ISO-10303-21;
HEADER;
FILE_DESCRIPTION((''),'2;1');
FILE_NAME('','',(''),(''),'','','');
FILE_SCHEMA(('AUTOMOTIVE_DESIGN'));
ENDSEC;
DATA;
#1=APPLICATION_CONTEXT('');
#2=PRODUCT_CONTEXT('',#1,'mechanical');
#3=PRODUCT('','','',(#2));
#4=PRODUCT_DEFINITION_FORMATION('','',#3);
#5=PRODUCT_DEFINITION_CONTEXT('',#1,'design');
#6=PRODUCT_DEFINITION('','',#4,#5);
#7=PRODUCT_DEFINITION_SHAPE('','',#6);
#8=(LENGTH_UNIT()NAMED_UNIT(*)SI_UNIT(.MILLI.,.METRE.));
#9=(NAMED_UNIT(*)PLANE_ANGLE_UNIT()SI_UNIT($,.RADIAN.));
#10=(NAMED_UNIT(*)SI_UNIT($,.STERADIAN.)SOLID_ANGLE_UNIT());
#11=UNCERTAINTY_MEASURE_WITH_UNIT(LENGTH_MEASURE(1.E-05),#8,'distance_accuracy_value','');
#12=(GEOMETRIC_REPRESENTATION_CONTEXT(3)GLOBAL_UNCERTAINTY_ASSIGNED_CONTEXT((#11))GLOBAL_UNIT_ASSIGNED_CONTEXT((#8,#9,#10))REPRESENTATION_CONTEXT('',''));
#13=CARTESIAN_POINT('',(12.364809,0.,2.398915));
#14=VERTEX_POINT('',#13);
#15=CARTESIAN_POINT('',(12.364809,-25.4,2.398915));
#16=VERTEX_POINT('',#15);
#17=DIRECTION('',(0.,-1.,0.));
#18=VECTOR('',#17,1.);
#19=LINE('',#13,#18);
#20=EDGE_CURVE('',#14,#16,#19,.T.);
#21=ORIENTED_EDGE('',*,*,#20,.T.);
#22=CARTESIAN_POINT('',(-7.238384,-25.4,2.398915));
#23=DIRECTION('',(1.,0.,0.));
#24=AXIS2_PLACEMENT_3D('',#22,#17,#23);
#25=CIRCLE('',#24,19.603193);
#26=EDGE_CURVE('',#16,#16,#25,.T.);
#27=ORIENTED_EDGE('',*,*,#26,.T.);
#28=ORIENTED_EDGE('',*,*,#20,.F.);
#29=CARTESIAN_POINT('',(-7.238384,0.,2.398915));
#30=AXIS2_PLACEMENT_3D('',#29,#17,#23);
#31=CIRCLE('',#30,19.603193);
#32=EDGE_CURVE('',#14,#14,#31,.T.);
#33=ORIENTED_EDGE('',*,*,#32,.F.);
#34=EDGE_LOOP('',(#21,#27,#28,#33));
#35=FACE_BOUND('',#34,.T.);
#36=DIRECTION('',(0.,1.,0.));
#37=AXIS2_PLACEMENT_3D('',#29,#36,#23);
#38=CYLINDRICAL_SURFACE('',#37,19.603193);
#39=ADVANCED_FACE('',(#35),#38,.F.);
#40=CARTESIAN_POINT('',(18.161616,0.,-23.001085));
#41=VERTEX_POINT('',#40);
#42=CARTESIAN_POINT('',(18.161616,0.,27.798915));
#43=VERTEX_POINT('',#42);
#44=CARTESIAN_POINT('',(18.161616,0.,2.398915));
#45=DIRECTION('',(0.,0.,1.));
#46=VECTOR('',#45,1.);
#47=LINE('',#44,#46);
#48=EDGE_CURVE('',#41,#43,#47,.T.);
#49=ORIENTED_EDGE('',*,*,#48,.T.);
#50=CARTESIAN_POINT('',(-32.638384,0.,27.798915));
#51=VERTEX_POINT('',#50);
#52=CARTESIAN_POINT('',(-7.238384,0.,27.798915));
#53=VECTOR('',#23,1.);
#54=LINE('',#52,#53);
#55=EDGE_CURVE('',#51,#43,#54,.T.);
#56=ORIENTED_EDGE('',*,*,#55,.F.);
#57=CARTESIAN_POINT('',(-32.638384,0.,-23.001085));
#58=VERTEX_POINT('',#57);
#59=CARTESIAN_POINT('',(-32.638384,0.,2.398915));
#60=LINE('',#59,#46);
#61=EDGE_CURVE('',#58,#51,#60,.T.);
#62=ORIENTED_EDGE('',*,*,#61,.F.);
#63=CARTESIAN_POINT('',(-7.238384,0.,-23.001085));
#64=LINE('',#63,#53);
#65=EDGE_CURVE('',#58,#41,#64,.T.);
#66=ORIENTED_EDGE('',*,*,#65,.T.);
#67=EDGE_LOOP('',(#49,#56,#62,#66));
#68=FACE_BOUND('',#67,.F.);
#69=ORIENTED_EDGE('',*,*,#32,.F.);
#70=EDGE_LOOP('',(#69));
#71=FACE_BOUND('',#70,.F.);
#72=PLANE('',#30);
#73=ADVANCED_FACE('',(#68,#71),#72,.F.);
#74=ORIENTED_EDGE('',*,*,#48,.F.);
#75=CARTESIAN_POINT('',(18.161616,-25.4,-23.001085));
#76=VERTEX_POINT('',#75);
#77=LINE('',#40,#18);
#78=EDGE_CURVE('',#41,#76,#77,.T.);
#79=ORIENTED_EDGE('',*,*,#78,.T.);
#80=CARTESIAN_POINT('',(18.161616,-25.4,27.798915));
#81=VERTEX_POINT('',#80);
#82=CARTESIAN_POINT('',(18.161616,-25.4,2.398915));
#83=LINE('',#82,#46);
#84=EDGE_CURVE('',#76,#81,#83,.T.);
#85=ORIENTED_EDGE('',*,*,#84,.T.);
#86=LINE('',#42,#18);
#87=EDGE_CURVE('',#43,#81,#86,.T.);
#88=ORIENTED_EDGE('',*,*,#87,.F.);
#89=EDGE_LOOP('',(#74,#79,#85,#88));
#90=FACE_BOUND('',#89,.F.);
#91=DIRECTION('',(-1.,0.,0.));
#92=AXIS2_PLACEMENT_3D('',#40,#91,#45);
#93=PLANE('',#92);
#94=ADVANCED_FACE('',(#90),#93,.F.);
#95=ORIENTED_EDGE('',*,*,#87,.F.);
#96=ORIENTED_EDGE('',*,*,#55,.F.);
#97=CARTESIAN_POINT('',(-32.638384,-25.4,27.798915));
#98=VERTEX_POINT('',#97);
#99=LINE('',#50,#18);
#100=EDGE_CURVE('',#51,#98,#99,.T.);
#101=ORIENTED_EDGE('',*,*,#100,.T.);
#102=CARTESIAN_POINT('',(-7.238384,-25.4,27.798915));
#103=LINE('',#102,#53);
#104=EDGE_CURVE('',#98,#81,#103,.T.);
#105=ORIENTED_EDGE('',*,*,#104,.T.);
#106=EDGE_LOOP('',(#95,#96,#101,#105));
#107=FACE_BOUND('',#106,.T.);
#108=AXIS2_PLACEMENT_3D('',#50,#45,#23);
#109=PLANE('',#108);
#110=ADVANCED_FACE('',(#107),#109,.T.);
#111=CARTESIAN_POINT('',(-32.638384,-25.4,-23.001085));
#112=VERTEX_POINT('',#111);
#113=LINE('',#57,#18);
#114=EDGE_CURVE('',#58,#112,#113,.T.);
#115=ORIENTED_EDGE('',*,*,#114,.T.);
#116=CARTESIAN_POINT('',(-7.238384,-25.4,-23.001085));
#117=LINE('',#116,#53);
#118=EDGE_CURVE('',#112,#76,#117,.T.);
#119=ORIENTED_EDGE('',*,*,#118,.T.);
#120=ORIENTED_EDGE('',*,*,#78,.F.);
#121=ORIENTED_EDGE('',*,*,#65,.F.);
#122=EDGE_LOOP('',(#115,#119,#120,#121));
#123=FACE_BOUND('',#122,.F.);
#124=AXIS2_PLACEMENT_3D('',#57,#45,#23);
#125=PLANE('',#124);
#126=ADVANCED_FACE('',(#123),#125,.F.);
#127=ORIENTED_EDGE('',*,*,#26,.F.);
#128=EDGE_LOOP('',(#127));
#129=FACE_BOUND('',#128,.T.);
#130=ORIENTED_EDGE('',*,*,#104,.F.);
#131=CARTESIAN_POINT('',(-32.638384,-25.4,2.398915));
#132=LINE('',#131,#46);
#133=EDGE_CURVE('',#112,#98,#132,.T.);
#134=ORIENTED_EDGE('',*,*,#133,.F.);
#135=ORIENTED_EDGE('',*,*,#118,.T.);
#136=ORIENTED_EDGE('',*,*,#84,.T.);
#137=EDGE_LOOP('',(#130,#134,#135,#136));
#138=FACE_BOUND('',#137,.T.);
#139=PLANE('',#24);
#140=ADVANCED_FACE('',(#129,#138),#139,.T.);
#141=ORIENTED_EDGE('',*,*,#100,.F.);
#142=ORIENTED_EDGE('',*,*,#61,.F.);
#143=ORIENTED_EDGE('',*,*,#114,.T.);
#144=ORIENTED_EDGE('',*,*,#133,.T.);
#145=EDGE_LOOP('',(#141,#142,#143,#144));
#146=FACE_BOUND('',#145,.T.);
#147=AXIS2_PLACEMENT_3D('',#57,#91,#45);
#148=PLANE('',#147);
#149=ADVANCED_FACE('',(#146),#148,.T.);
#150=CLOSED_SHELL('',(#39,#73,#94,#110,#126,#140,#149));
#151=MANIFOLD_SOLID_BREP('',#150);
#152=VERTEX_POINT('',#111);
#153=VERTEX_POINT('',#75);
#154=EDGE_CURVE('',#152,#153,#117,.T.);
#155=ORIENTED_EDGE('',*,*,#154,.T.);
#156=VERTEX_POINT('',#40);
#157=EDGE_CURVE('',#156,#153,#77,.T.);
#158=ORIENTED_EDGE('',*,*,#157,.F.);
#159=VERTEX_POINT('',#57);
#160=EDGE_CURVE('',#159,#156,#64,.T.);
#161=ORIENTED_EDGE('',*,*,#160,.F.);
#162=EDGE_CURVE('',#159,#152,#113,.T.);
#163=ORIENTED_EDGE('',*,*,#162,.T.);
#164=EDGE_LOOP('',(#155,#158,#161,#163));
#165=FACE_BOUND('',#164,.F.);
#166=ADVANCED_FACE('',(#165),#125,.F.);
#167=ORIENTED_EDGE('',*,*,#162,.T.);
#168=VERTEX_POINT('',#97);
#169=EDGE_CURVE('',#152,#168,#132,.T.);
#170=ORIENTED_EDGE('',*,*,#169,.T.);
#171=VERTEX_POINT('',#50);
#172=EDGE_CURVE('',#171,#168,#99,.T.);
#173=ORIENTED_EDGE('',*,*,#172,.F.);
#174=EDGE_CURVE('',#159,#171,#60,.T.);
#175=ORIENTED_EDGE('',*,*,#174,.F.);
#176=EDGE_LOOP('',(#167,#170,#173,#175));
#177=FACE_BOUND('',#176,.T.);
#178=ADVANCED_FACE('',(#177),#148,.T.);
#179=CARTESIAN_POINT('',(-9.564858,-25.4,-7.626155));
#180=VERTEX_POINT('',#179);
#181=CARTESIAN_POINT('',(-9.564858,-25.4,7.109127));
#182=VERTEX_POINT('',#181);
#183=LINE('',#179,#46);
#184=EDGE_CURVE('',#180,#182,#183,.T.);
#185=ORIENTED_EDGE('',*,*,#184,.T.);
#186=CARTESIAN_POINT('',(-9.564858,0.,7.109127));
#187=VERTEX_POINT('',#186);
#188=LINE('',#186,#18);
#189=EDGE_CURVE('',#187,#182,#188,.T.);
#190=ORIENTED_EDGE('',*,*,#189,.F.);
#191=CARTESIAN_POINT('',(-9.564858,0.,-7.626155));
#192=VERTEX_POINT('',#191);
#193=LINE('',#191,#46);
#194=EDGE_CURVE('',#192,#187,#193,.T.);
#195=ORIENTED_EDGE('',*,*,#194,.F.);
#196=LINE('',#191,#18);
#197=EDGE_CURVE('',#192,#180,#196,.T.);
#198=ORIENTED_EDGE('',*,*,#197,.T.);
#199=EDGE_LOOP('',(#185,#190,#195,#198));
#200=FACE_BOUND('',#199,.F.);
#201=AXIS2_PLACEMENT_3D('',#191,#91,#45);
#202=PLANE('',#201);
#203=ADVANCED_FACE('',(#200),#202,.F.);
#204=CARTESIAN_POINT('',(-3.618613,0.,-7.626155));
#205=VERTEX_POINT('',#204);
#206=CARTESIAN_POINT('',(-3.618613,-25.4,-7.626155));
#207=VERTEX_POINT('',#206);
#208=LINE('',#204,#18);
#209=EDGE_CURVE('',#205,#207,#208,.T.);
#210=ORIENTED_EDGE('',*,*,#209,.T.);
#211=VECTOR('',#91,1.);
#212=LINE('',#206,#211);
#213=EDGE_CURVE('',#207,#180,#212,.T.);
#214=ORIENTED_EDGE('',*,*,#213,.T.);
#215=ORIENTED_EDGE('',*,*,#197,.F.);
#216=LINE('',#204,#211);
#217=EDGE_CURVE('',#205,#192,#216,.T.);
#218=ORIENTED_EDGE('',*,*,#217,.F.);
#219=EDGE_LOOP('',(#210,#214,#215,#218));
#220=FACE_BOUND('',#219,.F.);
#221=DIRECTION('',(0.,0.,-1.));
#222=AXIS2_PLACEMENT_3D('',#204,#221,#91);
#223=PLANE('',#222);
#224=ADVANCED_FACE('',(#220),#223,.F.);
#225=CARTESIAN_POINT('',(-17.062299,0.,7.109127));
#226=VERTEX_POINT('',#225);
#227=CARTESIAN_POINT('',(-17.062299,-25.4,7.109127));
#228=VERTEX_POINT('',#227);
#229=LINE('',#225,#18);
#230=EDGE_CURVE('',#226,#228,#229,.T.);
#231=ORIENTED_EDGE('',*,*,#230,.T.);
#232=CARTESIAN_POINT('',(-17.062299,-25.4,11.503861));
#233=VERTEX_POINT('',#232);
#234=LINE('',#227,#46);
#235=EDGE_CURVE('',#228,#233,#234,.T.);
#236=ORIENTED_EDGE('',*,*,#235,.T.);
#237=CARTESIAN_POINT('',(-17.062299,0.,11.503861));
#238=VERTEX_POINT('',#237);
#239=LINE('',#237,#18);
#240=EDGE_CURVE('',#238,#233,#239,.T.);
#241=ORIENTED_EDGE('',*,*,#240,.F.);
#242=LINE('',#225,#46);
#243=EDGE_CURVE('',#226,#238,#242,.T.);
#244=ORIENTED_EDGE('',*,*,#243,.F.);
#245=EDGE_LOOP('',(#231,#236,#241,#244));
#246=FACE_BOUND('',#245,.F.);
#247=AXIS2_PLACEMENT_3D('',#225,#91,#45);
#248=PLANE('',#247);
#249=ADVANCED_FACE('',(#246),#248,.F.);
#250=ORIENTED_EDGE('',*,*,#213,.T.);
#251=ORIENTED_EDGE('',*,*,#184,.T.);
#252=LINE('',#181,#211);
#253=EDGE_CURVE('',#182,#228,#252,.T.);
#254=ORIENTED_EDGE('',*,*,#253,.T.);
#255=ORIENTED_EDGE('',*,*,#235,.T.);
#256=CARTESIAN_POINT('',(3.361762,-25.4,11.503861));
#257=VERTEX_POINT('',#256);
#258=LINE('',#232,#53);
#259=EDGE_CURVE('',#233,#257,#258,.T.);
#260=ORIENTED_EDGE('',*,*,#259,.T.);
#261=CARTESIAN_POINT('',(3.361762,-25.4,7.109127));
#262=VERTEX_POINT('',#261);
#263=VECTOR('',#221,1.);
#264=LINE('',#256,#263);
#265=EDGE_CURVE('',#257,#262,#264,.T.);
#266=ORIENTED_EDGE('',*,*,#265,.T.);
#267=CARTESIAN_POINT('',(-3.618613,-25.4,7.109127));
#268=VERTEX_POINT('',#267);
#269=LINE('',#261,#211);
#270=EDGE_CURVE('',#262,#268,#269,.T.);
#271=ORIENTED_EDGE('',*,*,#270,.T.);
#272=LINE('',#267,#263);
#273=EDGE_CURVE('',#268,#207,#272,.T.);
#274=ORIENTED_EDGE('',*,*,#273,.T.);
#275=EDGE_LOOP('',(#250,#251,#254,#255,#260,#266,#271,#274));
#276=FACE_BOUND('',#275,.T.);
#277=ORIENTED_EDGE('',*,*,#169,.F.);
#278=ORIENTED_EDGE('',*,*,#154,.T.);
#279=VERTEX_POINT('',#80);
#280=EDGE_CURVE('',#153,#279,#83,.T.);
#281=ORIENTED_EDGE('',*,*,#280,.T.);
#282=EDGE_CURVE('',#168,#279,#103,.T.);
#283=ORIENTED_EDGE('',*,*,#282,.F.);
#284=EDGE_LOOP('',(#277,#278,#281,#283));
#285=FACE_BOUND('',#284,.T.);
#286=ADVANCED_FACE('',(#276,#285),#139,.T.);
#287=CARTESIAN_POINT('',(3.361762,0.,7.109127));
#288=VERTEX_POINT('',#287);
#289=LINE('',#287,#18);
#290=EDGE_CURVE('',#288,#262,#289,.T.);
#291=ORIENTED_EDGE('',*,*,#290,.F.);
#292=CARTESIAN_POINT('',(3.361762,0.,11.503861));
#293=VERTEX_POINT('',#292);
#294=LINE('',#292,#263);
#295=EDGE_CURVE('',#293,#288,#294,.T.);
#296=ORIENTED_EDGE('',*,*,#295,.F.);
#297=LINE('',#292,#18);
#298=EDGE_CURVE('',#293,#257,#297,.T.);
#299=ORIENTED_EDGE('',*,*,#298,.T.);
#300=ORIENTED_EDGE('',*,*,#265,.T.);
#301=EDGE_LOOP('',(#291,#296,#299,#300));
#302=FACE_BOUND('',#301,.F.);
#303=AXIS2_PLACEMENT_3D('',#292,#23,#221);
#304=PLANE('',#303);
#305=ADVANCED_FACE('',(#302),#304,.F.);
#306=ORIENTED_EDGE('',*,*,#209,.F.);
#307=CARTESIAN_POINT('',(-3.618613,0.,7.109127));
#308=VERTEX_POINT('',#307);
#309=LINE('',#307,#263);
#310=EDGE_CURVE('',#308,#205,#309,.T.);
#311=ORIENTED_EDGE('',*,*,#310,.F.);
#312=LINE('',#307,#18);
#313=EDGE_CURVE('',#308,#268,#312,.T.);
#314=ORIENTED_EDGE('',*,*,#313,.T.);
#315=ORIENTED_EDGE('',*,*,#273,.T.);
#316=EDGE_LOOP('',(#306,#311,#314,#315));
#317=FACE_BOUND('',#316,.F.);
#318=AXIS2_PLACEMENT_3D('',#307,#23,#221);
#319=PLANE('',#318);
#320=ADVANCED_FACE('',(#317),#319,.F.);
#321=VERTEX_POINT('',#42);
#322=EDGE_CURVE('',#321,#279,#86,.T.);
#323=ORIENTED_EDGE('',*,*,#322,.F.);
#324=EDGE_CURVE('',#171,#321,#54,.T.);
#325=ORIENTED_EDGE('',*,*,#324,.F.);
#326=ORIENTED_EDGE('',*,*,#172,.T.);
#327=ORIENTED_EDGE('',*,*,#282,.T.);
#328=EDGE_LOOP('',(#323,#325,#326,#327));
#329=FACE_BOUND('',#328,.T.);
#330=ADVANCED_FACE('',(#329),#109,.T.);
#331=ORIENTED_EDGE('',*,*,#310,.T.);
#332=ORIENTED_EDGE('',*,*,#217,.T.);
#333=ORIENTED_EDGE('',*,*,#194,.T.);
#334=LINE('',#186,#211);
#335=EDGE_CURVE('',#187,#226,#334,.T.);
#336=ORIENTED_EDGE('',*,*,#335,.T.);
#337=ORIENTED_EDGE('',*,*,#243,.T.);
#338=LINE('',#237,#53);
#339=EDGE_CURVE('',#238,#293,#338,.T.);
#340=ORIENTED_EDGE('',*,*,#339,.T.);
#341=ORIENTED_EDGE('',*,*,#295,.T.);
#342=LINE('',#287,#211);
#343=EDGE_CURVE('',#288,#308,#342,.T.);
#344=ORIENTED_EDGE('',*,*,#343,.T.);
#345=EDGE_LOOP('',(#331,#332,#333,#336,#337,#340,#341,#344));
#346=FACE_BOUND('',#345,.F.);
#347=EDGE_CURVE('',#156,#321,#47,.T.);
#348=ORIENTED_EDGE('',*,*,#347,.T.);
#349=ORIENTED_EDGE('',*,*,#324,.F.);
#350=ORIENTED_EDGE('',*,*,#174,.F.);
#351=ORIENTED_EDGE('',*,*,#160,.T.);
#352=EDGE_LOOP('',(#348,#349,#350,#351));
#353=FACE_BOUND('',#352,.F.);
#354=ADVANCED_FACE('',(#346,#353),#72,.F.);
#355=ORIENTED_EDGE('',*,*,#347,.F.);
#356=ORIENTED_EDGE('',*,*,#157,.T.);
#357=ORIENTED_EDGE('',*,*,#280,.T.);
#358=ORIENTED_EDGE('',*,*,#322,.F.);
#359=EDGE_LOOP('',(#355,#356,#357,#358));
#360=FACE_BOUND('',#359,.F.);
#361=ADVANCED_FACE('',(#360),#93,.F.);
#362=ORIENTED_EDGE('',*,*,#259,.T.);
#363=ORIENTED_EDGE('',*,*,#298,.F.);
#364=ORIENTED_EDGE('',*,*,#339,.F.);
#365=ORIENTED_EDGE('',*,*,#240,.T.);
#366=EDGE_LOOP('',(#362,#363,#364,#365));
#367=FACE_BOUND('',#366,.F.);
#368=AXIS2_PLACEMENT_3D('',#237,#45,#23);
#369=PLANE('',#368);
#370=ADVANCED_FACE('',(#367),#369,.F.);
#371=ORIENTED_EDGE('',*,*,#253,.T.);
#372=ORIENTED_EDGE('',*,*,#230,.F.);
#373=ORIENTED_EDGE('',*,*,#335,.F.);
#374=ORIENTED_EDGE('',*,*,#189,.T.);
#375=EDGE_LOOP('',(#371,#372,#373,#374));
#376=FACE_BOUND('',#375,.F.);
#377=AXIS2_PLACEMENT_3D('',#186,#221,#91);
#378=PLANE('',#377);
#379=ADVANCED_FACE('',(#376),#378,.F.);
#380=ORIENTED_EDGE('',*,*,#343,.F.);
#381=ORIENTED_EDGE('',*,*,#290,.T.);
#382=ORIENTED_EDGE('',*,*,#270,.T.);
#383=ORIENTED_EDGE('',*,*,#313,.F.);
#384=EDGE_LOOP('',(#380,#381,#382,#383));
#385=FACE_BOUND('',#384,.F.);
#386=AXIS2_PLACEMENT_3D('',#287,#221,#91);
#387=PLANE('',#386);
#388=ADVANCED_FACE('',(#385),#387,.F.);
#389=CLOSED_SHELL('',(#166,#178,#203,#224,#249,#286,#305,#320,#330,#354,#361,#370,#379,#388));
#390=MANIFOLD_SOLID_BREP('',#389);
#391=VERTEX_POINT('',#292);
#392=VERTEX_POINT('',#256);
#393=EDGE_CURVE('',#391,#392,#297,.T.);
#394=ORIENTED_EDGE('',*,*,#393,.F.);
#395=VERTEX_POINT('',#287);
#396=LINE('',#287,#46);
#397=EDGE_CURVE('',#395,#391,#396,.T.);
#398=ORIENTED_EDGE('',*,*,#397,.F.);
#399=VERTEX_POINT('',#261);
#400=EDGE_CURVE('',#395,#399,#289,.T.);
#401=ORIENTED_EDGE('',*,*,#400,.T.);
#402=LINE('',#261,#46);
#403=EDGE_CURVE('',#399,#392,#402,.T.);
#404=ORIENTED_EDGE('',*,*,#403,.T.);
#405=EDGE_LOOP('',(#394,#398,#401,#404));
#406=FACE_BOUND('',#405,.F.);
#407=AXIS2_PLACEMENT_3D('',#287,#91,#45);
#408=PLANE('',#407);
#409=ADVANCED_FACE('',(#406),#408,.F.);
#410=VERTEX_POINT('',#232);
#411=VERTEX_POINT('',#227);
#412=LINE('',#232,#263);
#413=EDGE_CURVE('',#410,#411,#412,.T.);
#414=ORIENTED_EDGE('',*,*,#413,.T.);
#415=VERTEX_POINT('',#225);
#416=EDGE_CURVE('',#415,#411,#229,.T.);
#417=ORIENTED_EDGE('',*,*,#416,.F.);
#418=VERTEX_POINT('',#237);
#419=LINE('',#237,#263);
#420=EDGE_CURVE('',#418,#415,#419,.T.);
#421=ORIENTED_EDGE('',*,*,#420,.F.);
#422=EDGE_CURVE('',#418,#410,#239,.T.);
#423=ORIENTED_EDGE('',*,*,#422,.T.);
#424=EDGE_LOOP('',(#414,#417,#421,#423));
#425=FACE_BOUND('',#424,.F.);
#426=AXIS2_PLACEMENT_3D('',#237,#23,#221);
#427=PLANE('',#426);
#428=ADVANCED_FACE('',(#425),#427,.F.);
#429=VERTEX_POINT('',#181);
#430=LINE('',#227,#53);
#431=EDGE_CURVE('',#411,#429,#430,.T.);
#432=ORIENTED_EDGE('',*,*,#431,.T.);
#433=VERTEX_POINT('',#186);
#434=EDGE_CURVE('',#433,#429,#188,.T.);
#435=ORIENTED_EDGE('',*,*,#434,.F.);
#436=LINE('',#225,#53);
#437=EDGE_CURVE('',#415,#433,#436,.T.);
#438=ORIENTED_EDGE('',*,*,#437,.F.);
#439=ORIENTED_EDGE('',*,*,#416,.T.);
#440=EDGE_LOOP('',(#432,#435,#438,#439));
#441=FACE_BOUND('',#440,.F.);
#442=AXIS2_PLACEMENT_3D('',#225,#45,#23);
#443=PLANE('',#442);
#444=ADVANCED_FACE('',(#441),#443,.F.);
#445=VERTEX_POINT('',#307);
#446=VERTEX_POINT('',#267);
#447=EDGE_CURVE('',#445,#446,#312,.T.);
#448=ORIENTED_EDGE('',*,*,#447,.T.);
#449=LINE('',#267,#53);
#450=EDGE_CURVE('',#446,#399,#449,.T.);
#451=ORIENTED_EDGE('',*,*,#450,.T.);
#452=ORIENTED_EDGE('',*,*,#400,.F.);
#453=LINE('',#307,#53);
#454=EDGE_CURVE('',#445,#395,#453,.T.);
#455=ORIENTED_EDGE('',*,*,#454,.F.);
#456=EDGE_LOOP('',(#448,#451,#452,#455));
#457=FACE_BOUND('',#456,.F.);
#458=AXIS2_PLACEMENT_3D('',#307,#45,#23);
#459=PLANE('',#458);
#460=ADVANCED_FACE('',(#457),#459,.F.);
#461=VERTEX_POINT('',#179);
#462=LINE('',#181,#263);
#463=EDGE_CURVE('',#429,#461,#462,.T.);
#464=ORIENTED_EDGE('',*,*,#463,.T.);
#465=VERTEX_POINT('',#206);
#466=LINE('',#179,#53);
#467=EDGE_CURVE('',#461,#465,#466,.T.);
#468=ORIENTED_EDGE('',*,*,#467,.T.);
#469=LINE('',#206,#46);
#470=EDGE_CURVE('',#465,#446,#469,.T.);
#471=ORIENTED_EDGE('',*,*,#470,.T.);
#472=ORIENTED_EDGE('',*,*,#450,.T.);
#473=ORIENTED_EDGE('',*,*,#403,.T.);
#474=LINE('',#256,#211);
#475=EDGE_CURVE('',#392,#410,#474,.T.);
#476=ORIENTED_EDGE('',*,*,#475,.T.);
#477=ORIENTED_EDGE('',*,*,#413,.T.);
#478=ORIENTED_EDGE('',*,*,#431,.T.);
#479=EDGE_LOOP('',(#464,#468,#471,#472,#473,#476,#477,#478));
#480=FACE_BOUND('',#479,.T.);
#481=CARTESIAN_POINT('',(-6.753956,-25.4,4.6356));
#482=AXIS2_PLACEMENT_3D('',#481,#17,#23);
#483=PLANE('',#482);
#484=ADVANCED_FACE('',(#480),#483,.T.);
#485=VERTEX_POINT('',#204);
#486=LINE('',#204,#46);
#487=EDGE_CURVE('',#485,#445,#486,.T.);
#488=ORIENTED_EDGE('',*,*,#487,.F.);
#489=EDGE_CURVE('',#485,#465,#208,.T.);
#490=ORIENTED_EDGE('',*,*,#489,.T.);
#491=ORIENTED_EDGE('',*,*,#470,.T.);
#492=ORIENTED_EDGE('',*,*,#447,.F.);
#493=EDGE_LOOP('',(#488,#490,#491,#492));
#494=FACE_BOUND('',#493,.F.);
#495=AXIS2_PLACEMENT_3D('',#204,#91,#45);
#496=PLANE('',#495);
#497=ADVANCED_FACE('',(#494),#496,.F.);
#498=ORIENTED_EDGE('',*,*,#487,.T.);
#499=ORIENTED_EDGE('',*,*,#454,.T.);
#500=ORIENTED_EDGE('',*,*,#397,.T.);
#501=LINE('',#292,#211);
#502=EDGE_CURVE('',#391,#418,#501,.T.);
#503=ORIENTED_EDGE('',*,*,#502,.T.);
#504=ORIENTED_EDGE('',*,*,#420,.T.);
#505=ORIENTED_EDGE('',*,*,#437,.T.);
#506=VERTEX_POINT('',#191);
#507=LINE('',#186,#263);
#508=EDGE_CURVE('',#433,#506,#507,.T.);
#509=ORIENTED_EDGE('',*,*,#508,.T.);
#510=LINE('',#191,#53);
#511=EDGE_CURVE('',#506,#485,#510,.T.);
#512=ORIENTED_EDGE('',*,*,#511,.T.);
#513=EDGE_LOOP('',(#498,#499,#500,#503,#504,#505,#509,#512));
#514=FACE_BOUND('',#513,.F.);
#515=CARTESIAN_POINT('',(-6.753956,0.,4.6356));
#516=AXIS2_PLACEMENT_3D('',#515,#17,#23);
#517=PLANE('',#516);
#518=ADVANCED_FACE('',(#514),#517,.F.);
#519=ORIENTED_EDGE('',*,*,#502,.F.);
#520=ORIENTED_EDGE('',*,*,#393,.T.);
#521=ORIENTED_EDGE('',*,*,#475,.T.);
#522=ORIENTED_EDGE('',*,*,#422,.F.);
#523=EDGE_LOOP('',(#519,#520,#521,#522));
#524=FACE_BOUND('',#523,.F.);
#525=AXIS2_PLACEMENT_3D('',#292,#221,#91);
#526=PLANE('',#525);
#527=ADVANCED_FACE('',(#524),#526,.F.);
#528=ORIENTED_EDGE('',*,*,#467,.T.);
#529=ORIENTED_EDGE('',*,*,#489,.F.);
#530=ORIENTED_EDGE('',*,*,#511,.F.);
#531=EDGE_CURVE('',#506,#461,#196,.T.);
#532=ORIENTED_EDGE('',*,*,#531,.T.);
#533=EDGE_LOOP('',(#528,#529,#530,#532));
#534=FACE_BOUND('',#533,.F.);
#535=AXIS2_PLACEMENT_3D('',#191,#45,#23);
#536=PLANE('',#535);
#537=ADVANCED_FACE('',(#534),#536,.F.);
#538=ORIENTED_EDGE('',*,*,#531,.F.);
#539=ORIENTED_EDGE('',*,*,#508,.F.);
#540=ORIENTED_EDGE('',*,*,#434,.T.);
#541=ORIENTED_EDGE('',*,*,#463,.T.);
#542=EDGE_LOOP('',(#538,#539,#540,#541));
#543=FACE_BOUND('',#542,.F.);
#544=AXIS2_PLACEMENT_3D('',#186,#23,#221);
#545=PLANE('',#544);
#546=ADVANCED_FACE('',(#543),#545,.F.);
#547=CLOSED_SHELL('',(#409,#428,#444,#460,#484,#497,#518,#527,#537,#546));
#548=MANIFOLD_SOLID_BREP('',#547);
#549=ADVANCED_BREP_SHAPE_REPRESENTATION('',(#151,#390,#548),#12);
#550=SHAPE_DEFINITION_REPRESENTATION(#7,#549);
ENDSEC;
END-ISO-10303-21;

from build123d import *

# Parameters (mm, degrees)
F0_W     = 50.8
F0_H     = 50.8
F0_R     = 19.603193
F1_DEPTH = 25.4
F2_DEPTH = 25.4


with BuildPart() as f1:
    # F0 (on Front) → F1 (new body)
    with BuildSketch(Plane.XZ):
        with Locations((-7.238384, 2.398915)):
            Rectangle(F0_W, F0_H)
        with Locations((-7.238384, 2.398915)):
            Circle(F0_R, mode=Mode.SUBTRACT)
        Polygon((3.361762, 11.503861), (-17.062299, 11.503861), (-17.062299, 7.109127), (-9.564858, 7.109127), (-9.564858, -7.626155), (-3.618613, -7.626155), (-3.618613, 7.109127), (3.361762, 7.109127), align=None)
    extrude(amount=F1_DEPTH)


with BuildPart() as f2:
    # F0 (on Front) → F2 (new body)
    with BuildSketch(Plane.XZ):
        with Locations((-7.238384, 2.398915)):
            Rectangle(F0_W, F0_H)
        with Locations((-7.238384, 2.398915)):
            Circle(F0_R, mode=Mode.SUBTRACT)
        with Locations((-7.238384, 2.398915)):
            Circle(F0_R)
        Polygon((-17.062299, 7.109127), (-17.062299, 11.503861), (3.361762, 11.503861), (3.361762, 7.109127), (-3.618613, 7.109127), (-3.618613, -7.626155), (-9.564858, -7.626155), (-9.564858, 7.109127), align=None, mode=Mode.SUBTRACT)
    extrude(amount=F2_DEPTH)


solid = Compound([f1.part, f2.part])
